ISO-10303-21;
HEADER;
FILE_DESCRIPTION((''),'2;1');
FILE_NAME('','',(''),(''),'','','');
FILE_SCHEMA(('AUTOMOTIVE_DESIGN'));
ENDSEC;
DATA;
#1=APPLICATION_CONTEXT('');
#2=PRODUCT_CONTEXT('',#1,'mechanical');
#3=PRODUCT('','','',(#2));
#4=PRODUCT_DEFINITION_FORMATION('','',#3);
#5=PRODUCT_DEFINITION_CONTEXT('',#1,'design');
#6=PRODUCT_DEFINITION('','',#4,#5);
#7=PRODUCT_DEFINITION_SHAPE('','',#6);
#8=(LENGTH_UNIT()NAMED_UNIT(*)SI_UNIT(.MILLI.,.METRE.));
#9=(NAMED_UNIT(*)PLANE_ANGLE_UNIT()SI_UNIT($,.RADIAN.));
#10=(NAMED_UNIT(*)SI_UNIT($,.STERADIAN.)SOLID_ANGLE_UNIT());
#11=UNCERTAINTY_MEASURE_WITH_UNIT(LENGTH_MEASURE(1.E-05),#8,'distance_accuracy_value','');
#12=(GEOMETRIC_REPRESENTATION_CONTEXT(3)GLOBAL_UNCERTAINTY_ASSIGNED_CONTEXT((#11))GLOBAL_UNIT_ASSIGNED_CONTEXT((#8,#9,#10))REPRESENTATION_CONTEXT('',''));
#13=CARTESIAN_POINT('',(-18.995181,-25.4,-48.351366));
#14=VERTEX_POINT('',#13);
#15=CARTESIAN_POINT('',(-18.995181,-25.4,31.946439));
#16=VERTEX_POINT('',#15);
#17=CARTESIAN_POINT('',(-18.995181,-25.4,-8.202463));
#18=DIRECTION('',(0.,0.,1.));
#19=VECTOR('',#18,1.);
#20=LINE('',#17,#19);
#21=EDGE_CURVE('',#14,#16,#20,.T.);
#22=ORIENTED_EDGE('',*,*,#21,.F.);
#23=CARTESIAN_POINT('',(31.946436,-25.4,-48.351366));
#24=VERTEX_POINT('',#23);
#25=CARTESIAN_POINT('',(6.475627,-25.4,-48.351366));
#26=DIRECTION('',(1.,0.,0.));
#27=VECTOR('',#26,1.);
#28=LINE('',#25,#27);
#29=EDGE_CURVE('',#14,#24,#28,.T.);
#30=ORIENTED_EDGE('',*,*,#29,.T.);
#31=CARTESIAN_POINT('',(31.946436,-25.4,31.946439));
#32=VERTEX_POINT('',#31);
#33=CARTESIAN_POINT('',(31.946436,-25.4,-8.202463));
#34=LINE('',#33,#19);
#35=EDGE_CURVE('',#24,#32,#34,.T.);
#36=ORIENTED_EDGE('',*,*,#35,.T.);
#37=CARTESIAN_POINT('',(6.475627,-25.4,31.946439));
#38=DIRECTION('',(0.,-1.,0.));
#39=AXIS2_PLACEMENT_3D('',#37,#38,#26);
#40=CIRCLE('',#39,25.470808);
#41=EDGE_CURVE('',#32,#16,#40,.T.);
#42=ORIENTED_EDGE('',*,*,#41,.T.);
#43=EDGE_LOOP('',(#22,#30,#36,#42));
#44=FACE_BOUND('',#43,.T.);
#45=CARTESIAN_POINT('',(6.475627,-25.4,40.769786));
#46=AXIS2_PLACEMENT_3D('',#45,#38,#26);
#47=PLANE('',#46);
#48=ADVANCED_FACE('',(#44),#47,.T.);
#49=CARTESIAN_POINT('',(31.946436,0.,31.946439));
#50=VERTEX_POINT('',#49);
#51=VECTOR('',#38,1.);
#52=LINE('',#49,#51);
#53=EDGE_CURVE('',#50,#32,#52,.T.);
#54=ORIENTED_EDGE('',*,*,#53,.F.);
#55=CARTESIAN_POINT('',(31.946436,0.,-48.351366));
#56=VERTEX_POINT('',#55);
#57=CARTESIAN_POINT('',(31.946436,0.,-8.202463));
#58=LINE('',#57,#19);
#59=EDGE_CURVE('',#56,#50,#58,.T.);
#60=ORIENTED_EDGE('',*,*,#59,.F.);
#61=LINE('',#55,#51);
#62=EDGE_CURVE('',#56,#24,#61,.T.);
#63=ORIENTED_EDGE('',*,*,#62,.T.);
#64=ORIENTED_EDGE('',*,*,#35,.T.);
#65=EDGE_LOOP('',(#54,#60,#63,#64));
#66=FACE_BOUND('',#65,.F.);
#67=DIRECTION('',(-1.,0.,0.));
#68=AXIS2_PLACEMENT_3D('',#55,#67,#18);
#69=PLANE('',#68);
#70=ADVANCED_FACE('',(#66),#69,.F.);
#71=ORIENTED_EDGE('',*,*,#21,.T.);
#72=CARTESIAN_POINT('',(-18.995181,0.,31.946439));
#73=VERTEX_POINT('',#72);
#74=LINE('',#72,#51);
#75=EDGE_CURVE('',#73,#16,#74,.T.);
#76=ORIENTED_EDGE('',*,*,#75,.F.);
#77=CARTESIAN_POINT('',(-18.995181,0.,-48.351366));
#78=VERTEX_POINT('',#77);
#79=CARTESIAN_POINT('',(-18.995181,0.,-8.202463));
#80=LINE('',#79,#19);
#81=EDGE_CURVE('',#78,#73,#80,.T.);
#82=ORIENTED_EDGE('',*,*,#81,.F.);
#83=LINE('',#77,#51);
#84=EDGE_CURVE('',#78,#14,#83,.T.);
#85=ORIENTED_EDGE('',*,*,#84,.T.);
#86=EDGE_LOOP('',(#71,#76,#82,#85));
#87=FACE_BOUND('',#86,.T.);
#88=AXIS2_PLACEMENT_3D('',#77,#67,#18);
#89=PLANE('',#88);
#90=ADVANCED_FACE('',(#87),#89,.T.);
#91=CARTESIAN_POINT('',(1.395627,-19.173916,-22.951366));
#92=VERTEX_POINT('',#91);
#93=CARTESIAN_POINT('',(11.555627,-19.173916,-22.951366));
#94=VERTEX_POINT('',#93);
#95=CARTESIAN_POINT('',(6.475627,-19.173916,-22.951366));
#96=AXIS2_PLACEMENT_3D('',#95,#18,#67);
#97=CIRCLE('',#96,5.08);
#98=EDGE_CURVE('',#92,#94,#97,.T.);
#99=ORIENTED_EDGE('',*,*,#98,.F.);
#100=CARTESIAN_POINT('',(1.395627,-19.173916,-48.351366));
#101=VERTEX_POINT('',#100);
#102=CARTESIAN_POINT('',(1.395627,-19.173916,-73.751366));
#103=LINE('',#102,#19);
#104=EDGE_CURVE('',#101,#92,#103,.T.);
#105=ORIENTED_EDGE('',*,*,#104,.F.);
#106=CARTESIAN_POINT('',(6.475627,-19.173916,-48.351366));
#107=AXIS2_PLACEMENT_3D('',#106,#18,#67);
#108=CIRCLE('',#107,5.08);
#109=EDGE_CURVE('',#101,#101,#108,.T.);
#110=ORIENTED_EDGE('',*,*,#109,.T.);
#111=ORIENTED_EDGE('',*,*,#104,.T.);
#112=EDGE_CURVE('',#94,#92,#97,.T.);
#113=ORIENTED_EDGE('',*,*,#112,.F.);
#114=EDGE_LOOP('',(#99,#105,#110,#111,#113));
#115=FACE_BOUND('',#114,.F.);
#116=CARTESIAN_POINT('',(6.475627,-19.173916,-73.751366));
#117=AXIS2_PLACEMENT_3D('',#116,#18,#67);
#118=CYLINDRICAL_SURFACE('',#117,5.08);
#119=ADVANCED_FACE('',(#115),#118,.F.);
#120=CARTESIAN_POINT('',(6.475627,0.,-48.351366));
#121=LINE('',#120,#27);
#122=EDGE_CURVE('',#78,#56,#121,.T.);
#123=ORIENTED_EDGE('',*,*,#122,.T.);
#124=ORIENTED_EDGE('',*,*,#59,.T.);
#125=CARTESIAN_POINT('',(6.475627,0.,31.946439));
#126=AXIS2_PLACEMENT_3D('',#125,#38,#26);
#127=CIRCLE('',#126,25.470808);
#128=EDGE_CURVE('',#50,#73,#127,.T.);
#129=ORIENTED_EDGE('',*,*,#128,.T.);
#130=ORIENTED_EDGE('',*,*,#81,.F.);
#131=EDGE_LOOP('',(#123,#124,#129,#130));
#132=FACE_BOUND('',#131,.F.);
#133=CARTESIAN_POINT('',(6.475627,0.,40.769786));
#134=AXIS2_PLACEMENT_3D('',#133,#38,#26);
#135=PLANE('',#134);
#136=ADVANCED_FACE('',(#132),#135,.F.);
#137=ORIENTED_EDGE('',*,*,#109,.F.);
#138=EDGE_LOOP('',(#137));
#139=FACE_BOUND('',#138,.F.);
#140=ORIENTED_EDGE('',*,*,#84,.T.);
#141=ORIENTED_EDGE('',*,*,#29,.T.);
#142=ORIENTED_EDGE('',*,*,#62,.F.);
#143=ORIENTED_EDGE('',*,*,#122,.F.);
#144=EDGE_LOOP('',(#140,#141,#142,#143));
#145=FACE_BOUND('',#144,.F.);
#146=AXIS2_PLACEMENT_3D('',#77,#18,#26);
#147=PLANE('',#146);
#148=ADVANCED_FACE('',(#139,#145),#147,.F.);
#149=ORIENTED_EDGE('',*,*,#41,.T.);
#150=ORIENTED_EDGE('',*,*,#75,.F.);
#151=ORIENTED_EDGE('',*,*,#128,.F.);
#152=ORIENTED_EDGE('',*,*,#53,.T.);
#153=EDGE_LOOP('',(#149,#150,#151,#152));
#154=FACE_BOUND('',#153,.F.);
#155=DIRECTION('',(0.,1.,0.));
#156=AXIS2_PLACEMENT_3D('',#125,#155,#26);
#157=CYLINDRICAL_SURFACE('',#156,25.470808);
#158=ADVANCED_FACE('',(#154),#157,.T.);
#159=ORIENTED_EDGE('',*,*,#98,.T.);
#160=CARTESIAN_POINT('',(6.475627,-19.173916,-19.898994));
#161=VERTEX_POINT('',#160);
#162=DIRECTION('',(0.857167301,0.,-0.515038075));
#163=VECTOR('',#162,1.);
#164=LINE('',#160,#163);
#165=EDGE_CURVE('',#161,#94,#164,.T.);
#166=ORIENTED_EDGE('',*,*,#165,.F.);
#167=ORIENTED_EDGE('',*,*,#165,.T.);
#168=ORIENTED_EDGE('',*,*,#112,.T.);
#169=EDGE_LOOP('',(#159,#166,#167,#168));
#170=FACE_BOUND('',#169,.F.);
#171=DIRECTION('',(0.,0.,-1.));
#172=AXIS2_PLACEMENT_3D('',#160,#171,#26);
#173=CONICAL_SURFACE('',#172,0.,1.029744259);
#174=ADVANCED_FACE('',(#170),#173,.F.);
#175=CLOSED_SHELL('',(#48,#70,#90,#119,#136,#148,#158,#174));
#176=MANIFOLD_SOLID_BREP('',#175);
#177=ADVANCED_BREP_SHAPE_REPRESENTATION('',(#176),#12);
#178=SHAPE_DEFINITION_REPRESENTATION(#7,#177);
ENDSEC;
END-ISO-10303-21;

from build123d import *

# Parameters (mm, degrees)
F0_W     = 50.9416162968
F0_H     = 80.2978053689
F1_DEPTH = 25.4
F3_D     = 10.16
F3_DEPTH = 25.4
F3_TIP   = 3.0523719447


with BuildPart() as f1:
    # F0 (on Front) → F1 (new body)
    with BuildSketch(Plane.XZ):
        with BuildLine():
            ThreePointArc((31.9464355707, 31.946439296), (6.4756274223, 57.4172474444), (-18.9951807261, 31.946439296))
            Line((-18.9951807261, 31.946439296), (31.9464355707, 31.946439296))
        make_face()
        with Locations((6.4756274223, -8.2024633884)):
            Rectangle(F0_W, F0_H)
    extrude(amount=F1_DEPTH)

    # F3
    with Locations(Plane(origin=(0, 0, -48.3513660729), x_dir=(1, 0, 0), z_dir=(0, 0, -1))):
        with Locations((6.4756274223, 19.1739164293)):
            Hole(F3_D / 2, depth=F3_DEPTH)
            with Locations((0, 0, -(F3_DEPTH + F3_TIP / 2))):  # 118° drill point
                Cone(0, F3_D / 2, F3_TIP, mode=Mode.SUBTRACT)


solid = f1.part
